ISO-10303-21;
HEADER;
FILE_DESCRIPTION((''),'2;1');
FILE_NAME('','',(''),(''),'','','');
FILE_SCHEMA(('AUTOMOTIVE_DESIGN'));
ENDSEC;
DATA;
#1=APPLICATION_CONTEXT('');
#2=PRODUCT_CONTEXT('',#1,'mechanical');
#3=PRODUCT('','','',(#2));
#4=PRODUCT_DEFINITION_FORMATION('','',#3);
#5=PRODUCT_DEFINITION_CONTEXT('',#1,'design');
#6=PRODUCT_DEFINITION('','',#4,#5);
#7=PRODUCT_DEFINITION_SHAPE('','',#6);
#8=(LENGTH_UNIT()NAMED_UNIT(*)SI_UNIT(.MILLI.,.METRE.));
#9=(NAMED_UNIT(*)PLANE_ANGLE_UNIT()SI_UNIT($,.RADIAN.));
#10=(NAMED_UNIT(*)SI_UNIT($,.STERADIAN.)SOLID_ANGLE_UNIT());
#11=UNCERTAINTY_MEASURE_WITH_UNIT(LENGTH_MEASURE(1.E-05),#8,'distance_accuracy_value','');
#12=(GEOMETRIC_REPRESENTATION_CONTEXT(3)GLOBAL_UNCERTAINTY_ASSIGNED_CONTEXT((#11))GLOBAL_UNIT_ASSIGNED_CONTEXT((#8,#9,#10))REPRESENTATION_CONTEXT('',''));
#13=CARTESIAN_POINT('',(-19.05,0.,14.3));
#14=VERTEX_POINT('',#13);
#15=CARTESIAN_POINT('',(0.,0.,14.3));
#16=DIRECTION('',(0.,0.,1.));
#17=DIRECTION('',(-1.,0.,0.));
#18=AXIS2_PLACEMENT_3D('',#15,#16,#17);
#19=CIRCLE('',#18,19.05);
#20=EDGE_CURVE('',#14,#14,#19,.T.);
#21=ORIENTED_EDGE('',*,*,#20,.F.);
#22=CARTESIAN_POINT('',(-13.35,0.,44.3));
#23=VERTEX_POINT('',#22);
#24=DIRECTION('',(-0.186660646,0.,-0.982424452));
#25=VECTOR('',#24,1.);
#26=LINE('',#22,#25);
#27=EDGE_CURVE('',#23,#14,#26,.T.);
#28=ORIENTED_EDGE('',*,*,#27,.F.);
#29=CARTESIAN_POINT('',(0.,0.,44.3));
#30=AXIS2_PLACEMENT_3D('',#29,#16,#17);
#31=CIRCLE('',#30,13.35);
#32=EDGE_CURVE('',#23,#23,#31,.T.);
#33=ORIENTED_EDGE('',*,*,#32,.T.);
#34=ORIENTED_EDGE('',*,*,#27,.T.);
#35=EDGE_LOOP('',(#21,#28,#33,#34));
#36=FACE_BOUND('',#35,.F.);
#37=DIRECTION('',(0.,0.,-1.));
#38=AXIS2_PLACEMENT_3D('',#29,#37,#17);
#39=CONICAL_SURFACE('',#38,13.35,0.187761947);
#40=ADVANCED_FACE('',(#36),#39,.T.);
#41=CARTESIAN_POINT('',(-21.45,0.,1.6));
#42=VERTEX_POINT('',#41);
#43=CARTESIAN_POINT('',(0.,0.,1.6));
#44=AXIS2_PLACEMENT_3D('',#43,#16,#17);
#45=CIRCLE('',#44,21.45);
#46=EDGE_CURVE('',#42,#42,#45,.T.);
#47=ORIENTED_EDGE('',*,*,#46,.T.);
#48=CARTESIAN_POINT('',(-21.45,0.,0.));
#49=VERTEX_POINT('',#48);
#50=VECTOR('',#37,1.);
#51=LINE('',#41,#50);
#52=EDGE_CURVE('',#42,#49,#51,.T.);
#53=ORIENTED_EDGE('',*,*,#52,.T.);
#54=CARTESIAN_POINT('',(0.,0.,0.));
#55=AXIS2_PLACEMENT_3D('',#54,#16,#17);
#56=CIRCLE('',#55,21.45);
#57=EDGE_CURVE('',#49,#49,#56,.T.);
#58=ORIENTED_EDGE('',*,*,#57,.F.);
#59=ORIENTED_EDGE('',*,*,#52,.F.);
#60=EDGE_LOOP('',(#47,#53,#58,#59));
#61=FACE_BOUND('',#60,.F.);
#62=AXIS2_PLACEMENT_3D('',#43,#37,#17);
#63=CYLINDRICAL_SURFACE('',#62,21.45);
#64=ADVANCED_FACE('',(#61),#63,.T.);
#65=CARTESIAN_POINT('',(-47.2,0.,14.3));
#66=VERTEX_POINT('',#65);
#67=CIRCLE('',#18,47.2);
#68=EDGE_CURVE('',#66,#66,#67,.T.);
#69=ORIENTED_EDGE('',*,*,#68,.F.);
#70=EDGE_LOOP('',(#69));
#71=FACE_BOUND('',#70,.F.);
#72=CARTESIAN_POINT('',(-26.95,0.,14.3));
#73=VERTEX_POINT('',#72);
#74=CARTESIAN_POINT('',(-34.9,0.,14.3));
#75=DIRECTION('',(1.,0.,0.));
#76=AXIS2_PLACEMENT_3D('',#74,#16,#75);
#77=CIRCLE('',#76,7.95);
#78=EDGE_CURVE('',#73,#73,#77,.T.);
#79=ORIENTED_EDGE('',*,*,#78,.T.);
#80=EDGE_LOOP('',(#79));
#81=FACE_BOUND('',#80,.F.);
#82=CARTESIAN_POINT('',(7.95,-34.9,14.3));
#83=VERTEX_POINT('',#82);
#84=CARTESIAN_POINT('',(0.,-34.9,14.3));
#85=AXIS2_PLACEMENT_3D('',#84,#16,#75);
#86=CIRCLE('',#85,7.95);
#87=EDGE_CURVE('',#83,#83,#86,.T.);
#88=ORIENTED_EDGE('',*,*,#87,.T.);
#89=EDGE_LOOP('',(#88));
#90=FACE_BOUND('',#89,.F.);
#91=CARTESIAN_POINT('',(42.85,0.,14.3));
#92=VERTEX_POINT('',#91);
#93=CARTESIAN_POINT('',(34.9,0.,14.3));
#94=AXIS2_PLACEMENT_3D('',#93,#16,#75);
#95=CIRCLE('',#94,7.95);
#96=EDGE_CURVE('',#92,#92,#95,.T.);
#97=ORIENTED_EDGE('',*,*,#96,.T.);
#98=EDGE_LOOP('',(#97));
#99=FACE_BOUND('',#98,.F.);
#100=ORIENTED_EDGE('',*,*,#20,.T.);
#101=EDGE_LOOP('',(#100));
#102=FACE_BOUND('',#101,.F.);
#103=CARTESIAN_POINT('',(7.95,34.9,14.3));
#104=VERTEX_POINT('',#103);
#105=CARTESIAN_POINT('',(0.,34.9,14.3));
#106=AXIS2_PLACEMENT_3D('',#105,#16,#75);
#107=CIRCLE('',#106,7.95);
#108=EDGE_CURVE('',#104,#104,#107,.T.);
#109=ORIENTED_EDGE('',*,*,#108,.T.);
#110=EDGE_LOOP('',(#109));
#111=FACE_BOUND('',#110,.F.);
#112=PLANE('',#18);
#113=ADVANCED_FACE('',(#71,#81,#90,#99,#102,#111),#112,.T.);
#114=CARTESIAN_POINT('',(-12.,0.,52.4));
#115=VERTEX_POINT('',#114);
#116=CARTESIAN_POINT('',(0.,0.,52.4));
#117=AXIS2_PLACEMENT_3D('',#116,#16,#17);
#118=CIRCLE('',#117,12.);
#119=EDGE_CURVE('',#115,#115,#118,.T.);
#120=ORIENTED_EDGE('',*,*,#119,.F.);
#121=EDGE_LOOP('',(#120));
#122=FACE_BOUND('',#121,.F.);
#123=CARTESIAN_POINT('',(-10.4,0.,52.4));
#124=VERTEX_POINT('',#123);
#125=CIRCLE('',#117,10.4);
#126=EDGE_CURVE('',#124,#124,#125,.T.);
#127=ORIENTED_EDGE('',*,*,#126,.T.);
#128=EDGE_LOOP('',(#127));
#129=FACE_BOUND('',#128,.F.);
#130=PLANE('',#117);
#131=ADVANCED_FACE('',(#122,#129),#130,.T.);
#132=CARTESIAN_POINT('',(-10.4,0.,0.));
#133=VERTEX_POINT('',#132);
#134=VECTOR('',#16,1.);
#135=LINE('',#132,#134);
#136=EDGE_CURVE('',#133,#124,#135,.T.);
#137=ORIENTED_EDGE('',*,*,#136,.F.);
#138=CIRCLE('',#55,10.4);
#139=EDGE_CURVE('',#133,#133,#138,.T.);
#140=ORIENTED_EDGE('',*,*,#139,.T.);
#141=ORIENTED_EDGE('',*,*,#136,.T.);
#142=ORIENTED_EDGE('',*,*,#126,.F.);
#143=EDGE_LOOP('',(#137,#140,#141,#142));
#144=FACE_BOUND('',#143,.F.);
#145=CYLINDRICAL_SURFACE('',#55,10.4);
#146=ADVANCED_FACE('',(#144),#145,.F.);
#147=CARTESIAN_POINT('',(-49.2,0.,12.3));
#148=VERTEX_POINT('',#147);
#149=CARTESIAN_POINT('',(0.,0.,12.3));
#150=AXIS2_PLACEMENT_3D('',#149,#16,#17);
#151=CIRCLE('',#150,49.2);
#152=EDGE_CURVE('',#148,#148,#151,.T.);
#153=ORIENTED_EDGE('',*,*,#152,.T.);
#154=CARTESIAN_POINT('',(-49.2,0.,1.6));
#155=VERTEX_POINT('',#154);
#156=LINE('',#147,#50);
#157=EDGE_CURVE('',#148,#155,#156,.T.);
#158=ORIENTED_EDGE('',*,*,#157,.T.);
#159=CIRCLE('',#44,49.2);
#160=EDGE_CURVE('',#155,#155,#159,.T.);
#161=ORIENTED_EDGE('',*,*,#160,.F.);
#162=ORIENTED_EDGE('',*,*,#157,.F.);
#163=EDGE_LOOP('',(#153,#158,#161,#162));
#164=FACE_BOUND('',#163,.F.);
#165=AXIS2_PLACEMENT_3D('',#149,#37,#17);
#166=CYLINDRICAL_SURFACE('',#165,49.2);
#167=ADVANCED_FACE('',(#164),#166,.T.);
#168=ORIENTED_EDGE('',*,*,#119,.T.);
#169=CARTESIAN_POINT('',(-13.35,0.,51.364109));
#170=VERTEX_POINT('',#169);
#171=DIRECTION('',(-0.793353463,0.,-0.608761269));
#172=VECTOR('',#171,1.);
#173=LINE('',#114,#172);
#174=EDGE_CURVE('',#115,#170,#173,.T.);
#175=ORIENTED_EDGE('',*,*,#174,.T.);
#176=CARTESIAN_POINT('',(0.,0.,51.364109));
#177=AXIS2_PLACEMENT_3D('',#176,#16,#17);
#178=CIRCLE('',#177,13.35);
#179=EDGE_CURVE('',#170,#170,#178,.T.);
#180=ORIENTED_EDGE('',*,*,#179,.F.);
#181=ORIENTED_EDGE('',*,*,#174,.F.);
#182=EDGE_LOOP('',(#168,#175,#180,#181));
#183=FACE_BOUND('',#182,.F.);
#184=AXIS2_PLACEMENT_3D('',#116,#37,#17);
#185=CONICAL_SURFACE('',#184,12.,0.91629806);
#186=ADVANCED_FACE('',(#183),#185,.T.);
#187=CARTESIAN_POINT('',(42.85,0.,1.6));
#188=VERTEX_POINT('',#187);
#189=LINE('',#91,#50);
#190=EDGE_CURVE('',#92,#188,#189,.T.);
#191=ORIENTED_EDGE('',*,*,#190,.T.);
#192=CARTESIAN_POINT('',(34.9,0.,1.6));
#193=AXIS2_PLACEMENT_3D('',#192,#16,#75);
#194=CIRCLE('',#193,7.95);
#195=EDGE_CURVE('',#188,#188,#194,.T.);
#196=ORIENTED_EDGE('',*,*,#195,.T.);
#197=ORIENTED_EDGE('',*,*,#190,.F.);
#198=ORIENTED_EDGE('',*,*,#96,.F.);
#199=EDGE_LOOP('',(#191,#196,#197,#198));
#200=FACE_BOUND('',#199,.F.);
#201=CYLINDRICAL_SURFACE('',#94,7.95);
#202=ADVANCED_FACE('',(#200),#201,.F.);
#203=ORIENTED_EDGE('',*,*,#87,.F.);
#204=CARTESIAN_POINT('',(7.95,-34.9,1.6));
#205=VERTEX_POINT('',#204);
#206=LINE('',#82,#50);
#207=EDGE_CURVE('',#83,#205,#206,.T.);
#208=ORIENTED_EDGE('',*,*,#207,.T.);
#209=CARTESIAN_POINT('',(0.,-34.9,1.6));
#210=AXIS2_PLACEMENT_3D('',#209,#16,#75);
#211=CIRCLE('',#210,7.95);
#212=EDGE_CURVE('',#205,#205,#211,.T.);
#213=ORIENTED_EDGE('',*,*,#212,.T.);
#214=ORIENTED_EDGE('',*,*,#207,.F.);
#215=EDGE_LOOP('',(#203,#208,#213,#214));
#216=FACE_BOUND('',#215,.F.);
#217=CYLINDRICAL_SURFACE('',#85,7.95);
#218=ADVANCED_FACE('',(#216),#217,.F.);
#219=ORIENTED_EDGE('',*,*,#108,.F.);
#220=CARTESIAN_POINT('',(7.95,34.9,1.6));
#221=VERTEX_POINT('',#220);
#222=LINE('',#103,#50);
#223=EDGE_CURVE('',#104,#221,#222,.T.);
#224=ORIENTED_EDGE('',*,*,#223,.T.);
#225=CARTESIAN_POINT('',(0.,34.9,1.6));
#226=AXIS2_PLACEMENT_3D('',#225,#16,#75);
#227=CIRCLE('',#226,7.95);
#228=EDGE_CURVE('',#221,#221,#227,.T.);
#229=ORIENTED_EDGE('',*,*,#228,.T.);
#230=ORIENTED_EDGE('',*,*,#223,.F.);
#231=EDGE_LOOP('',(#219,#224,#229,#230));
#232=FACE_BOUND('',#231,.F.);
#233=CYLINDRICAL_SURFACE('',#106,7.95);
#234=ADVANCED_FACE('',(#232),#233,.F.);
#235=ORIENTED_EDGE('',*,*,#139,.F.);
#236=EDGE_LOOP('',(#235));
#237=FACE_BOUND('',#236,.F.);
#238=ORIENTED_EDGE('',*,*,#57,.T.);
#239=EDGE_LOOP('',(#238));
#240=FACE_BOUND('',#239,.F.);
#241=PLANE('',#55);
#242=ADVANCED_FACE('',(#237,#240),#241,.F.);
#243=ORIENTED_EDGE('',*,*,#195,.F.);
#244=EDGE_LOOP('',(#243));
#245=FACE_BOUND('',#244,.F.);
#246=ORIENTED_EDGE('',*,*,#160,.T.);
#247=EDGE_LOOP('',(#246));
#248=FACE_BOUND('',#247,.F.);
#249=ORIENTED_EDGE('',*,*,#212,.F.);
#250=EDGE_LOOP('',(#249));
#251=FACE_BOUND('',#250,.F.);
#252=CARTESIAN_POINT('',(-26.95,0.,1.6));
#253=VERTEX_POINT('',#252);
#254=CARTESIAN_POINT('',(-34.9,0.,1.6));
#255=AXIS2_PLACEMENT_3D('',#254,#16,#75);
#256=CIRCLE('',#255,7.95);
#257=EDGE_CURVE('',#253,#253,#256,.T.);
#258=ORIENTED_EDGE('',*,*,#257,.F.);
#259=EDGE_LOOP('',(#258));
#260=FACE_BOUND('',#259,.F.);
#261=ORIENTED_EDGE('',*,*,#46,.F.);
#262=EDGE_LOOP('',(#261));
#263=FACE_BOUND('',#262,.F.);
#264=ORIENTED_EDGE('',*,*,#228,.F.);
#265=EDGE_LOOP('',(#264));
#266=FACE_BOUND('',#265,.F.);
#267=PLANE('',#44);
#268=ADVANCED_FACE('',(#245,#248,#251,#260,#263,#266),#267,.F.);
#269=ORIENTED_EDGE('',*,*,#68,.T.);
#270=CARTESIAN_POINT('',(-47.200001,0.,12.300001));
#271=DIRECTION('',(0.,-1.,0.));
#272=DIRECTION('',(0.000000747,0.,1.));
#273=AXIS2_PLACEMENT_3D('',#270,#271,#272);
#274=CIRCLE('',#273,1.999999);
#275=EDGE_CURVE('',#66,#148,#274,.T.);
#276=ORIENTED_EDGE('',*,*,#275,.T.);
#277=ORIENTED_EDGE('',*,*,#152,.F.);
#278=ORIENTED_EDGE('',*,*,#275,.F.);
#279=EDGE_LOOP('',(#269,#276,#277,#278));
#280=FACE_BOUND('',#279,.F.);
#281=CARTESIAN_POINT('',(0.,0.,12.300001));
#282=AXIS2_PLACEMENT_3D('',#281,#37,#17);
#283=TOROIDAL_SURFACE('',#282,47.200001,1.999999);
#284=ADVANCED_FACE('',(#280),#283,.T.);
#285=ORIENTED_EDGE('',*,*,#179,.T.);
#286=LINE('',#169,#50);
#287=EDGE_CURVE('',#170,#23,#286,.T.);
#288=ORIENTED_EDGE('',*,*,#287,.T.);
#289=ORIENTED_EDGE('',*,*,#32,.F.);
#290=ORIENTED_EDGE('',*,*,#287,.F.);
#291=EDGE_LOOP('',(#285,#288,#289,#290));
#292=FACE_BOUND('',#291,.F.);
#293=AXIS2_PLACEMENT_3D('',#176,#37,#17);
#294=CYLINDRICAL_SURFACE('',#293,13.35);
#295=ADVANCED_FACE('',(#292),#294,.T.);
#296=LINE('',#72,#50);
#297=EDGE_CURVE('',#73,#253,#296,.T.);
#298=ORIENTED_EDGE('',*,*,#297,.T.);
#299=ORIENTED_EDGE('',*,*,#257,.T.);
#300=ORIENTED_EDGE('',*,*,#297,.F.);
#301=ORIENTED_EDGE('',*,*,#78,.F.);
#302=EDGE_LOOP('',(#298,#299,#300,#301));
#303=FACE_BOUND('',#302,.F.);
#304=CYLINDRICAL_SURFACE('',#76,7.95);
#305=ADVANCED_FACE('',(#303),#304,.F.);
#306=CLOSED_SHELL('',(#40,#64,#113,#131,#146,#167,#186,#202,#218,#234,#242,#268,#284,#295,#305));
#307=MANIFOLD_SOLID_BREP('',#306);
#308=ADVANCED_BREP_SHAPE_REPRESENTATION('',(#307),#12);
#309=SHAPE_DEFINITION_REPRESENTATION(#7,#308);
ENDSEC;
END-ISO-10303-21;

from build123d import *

# Parameters (mm, degrees)
F2_R     = 7.95
F3_DEPTH = 14.301


with BuildPart() as f1:
    # F0 (on Front) → F1 (revolve)
    with BuildSketch(Plane.XZ):
        with BuildLine():
            Line((-21.45, 0), (-10.4, 0))
            Line((-10.4, 0), (-10.4, 52.4))
            Line((-10.4, 52.4), (-12, 52.4))
            Line((-12, 52.4), (-13.35, 51.364109))
            Line((-13.35, 51.364109), (-13.35, 44.3))
            Line((-13.35, 44.3), (-19.05, 14.3))
            Line((-19.05, 14.3), (-47.2, 14.3))
            ThreePointArc((-47.2, 14.3), (-48.614214, 13.714214), (-49.2, 12.3))
            Line((-49.2, 12.3), (-49.2, 1.6))
            Line((-49.2, 1.6), (-21.45, 1.6))
            Line((-21.45, 1.6), (-21.45, 0))
        make_face()
    revolve(axis=Axis((0, 0, 26.2), (0, 0, 1)))

    # F2 (on face) → F3 (cut, through all)
    with BuildSketch(Plane.XY.offset(14.3)):
        with Locations((0, 34.9)):
            Circle(F2_R)
        with Locations((-34.9, 0)):
            Circle(F2_R)
        with Locations((0, -34.9)):
            Circle(F2_R)
        with Locations((34.9, 0)):
            Circle(F2_R)
    extrude(amount=-F3_DEPTH, mode=Mode.SUBTRACT)


solid = f1.part
